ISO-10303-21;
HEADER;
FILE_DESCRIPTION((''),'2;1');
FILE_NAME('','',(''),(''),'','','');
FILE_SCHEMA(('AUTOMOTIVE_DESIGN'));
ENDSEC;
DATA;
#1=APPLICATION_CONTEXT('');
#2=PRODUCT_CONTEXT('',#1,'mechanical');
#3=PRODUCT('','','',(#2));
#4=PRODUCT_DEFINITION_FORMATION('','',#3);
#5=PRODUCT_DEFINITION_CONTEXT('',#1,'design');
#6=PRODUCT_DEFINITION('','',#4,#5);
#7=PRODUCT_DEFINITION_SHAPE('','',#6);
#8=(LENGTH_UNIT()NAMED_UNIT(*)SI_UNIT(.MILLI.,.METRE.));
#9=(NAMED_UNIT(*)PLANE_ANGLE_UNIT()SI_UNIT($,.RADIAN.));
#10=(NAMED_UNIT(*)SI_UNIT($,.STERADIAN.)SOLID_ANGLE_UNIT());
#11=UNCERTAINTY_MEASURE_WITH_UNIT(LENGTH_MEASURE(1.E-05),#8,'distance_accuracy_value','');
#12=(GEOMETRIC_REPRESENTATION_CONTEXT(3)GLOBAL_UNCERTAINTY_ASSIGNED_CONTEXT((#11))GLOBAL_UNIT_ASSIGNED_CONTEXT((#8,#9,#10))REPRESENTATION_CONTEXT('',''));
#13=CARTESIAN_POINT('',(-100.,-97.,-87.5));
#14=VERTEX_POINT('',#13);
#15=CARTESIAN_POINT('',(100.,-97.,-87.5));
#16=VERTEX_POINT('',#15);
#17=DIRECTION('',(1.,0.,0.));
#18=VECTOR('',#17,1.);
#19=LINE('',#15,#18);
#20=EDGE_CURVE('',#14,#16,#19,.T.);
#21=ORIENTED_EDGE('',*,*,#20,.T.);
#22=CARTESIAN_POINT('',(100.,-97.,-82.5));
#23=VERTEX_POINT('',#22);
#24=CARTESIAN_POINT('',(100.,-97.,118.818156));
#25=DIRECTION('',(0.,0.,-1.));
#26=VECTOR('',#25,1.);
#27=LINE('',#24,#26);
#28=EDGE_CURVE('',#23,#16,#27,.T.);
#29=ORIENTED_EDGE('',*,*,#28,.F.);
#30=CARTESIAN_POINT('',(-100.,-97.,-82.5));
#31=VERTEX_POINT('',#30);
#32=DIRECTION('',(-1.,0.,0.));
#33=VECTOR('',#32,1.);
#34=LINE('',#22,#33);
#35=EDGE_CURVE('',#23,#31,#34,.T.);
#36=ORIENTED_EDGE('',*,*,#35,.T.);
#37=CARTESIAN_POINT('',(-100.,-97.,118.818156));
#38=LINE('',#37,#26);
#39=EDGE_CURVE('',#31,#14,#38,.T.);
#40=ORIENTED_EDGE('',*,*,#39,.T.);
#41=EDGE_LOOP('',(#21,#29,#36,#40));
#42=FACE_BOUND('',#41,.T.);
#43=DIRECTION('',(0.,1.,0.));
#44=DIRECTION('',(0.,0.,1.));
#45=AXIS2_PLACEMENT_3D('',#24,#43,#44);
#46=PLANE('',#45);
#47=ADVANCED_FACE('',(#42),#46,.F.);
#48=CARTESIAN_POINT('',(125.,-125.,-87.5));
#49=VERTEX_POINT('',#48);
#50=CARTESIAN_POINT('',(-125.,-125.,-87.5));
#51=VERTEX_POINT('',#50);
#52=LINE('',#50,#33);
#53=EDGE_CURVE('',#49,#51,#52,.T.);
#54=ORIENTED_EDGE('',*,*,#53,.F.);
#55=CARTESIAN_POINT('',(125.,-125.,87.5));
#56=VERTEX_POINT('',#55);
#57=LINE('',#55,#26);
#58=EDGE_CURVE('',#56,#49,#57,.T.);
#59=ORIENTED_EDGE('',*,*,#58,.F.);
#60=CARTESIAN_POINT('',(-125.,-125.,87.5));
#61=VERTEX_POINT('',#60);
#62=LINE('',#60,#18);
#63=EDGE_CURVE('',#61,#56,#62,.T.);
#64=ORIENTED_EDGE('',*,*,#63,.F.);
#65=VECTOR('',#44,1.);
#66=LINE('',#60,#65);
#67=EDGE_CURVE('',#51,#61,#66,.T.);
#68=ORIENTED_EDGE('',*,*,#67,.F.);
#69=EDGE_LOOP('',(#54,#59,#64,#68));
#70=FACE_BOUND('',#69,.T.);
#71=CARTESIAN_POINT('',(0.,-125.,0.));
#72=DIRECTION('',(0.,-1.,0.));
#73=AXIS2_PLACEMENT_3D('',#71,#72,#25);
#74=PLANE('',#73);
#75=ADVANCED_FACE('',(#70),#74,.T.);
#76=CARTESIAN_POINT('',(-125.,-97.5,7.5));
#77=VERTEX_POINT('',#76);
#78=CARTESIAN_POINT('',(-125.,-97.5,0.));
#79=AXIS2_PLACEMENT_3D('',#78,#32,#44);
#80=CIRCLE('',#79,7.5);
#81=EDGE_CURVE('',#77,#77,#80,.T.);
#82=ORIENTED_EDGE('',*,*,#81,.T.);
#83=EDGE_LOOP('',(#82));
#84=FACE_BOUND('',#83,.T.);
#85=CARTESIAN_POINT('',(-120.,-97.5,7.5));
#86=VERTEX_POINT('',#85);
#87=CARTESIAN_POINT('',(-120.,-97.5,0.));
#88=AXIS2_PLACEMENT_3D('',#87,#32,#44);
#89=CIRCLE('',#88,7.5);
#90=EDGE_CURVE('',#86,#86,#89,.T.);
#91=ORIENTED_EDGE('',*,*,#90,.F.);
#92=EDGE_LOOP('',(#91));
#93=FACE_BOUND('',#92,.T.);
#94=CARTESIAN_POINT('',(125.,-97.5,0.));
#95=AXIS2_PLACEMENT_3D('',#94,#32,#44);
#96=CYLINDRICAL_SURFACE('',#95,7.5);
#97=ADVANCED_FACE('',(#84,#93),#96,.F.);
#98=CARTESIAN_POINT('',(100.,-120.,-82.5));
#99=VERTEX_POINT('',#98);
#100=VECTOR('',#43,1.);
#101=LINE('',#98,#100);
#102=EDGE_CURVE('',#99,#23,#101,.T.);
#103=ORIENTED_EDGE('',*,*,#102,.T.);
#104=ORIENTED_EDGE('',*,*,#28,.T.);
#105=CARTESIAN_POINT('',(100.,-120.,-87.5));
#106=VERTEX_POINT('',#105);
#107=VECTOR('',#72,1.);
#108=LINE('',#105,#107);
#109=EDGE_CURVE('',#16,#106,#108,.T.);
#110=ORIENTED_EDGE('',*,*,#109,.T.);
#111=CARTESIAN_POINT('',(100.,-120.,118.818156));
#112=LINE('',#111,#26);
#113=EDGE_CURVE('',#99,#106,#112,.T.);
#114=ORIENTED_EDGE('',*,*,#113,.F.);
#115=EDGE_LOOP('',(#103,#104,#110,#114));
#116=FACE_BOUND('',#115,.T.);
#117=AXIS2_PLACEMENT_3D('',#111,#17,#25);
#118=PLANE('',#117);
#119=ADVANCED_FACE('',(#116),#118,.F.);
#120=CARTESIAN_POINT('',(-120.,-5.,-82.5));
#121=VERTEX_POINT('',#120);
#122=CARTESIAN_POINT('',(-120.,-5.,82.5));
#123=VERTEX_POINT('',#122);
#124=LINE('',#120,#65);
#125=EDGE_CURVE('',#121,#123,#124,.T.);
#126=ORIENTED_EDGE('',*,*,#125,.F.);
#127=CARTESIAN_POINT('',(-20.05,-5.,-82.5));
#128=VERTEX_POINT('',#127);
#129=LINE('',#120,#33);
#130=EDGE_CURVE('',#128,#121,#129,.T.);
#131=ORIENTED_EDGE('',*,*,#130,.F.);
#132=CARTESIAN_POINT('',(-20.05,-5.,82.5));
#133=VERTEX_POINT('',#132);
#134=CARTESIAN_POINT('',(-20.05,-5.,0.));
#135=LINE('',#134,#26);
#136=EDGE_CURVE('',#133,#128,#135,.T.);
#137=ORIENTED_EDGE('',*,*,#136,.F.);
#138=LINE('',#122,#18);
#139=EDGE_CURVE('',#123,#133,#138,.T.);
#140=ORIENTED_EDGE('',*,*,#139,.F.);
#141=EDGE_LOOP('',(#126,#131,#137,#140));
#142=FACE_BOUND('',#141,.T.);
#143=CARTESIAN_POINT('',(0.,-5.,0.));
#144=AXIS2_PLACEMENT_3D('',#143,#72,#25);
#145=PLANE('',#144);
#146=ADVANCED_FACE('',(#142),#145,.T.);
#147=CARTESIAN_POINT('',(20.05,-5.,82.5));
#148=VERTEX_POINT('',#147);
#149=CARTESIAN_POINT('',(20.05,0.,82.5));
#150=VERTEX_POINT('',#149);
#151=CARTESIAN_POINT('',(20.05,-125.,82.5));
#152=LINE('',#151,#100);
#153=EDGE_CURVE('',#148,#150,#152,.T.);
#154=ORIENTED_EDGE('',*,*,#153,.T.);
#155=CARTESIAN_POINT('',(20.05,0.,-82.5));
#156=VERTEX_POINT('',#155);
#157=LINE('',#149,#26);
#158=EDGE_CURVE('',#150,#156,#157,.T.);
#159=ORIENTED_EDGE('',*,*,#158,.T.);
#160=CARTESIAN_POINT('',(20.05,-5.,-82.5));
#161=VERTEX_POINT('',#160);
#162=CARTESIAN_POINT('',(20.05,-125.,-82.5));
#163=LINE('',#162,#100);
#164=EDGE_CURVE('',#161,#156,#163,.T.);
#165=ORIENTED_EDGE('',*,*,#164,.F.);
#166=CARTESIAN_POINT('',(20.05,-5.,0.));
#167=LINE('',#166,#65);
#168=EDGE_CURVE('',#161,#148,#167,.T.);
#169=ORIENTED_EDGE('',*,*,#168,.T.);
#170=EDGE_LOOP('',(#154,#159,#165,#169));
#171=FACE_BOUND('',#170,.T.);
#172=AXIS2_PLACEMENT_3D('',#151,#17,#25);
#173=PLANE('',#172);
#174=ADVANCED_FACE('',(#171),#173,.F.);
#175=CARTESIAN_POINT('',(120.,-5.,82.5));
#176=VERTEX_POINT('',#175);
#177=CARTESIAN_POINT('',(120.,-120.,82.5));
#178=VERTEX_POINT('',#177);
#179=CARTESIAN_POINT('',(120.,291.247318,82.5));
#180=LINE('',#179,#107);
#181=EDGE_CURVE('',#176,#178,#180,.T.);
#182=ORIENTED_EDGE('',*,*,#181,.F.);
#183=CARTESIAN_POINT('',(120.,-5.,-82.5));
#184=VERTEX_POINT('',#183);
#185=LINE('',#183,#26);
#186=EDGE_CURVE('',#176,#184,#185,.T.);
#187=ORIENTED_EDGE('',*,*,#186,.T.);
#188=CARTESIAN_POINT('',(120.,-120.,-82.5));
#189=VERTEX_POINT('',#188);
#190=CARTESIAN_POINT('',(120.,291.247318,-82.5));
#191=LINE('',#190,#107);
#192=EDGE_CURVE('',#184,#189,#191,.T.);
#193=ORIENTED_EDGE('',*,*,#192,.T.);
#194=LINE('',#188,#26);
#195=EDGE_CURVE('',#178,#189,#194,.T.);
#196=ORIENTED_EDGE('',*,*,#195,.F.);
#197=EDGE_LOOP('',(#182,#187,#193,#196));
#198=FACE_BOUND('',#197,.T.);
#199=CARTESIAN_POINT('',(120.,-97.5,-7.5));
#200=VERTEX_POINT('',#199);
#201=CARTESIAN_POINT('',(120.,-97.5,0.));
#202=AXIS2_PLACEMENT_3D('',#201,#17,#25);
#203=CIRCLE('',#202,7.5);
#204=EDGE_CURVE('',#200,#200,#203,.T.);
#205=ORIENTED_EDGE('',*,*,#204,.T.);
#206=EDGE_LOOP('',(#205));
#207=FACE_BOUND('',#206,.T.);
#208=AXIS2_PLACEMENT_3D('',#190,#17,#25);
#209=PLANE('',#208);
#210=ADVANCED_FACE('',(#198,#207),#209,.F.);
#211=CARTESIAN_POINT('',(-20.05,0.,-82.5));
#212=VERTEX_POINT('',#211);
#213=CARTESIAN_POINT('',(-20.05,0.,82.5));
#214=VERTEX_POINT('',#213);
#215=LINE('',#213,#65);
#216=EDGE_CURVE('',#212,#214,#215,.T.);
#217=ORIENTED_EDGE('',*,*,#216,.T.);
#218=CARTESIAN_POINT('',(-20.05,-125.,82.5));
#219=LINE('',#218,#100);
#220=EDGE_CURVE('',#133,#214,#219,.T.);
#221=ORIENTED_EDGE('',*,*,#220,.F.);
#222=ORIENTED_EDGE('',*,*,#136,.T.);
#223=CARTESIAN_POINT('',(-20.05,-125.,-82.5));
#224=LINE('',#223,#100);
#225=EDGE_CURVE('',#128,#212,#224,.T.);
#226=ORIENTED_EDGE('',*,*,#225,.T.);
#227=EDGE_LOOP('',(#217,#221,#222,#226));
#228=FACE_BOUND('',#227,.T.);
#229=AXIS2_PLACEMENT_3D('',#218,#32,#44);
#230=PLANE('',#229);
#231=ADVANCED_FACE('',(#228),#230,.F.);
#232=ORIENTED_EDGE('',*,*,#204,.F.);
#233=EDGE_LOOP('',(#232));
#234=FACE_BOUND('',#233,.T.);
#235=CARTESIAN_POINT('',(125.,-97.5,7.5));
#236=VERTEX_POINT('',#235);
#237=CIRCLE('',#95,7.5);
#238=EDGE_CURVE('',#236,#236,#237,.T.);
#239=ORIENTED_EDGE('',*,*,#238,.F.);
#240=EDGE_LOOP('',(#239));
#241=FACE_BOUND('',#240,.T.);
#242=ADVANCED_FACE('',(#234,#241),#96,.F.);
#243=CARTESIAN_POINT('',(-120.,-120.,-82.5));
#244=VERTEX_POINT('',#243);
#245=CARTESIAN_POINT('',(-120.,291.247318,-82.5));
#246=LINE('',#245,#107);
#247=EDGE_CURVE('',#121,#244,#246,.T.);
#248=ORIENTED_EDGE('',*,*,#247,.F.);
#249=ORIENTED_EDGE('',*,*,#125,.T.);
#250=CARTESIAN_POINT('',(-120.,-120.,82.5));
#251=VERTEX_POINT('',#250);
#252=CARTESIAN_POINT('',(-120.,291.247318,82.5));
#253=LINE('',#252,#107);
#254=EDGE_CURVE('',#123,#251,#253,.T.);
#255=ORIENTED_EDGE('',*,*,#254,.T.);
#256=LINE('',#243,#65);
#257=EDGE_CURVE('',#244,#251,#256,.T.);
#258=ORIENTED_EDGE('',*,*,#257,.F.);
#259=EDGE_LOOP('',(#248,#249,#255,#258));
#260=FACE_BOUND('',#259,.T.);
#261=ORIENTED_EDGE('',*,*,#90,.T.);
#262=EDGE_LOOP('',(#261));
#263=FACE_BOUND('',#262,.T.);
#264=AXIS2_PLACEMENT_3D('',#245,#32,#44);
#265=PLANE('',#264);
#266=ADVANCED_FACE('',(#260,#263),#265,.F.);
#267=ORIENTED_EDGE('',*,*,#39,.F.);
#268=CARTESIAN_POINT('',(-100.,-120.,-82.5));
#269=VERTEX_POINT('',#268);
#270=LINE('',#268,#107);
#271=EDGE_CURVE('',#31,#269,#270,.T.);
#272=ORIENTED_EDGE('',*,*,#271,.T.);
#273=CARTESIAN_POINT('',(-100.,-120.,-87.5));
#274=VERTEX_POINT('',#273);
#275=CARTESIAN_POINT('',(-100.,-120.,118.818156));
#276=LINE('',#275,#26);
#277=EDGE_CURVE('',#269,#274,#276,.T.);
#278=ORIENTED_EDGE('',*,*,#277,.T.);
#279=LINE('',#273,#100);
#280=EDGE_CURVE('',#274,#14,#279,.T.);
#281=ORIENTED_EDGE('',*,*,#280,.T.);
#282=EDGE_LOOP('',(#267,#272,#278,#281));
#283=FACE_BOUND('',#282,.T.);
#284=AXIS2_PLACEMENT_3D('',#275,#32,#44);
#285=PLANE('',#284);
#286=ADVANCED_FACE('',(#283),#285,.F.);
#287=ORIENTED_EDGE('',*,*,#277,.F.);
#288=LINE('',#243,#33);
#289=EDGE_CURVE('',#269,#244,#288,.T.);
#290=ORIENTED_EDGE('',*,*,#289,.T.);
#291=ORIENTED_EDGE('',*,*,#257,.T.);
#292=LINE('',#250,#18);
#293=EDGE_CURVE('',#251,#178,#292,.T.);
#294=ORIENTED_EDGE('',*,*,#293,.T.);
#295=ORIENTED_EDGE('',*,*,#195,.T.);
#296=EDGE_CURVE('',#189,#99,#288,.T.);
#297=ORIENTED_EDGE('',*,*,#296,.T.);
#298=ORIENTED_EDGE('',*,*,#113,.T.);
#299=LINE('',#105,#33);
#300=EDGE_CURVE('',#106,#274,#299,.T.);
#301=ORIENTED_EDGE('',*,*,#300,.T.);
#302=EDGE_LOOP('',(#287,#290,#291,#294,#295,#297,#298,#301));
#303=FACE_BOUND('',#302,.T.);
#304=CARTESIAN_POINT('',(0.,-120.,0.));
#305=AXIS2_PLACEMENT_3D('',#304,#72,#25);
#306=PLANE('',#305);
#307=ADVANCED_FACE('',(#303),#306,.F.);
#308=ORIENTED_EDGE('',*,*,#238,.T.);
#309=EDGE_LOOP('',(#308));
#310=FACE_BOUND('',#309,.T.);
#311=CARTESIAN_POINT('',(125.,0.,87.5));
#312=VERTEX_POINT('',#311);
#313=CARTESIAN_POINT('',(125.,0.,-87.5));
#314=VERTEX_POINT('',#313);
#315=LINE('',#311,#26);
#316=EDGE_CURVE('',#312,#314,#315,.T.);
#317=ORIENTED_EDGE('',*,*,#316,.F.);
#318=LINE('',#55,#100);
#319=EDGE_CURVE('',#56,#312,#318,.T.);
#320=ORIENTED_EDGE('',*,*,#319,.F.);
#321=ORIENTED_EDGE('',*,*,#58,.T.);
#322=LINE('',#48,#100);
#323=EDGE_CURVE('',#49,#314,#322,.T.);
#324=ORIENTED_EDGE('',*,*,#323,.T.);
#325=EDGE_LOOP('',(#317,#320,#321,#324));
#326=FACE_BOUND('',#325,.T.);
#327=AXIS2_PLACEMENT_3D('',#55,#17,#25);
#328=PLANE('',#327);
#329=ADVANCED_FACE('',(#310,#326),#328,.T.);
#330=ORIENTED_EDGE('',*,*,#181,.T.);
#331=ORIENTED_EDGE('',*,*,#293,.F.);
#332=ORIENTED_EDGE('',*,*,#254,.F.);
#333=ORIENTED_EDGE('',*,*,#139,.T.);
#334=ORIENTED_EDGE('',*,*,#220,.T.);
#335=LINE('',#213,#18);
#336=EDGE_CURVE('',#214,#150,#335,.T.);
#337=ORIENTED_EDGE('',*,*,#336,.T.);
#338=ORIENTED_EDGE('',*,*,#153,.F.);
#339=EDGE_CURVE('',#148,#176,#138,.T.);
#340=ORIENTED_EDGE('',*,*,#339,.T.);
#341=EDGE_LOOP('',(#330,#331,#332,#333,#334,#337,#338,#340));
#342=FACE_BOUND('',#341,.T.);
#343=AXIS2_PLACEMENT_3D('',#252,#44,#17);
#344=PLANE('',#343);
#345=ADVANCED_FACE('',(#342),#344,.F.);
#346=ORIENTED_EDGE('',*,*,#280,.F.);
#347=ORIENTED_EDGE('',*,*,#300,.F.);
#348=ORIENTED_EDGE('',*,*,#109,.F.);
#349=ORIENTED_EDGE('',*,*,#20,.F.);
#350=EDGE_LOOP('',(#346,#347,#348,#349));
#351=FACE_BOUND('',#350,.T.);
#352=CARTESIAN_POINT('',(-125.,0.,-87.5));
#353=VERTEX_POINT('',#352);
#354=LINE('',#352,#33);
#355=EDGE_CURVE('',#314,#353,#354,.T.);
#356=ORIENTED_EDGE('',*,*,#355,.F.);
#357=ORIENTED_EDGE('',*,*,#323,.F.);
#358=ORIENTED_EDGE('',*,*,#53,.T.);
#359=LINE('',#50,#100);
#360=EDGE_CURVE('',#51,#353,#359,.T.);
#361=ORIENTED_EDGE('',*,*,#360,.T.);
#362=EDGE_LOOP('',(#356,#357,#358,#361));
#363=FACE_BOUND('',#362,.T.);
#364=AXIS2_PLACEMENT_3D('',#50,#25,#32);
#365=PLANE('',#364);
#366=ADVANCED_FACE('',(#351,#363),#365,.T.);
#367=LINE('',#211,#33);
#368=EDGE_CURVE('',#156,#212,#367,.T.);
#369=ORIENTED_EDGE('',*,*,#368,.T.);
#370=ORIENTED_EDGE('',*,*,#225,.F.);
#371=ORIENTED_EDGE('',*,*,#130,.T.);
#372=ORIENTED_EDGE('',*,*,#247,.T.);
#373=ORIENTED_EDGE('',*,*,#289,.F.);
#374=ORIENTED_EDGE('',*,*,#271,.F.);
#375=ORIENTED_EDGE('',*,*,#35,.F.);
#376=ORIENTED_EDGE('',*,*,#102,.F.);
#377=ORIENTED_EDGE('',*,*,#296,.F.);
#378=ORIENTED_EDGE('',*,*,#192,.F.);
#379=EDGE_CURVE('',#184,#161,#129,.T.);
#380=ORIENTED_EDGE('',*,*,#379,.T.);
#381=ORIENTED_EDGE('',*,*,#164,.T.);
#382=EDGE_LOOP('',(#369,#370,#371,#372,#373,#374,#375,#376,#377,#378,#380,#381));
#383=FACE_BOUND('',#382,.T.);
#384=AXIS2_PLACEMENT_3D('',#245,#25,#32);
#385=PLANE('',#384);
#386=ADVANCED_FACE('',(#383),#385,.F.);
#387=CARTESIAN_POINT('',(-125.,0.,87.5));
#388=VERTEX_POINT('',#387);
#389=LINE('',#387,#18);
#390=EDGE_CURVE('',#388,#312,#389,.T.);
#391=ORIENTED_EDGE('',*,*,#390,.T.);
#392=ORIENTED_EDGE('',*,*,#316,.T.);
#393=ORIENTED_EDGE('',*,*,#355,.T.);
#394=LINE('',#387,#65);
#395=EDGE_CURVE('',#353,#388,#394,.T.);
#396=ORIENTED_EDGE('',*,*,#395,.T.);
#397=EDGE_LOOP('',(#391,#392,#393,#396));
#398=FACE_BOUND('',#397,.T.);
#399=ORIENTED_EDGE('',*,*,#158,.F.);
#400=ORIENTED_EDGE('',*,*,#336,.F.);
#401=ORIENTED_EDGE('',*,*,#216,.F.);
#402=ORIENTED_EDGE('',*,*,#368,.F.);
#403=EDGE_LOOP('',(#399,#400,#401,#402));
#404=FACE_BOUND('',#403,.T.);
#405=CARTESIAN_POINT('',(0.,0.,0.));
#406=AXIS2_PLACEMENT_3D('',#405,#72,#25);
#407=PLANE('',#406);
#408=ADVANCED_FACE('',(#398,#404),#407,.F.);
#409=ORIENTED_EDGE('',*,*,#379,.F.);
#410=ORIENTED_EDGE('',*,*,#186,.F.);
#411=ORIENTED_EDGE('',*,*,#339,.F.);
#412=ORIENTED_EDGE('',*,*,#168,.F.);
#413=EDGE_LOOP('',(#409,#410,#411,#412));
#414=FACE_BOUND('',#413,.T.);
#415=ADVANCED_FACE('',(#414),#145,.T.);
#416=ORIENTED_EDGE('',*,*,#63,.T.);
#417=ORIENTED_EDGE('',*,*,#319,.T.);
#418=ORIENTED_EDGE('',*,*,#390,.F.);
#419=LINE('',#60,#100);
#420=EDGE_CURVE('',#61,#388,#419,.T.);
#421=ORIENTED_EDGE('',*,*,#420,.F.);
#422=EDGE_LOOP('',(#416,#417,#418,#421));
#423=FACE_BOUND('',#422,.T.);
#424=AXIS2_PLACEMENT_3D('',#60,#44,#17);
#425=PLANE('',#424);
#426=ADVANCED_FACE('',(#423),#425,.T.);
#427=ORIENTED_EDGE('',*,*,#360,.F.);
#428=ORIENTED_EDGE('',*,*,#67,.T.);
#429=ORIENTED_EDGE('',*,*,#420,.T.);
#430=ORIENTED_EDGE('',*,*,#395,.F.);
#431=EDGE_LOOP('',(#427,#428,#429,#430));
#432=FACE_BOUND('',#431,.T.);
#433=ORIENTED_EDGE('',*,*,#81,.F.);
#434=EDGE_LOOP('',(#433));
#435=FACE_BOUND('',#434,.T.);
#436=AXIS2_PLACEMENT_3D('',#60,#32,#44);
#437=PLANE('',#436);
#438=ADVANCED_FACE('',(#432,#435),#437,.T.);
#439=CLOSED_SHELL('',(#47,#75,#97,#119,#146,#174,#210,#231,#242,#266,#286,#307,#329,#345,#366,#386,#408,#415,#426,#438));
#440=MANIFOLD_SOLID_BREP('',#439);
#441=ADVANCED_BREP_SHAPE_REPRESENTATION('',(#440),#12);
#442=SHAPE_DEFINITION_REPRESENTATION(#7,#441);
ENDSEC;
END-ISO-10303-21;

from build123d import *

# Parameters (mm, degrees)
SKETCH1_W           = 250
SKETCH1_H           = 175
BOSS_EXTRUDE1_DEPTH = 125
SKETCH2_W           = 240
SKETCH2_H           = 165
CUT_EXTRUDE1_DEPTH  = 120
SKETCH3_W           = 40.1
SKETCH3_H           = 165
CUT_EXTRUDE2_DEPTH  = 126
SKETCH4_R           = 7.5
CUT_EXTRUDE3_DEPTH  = 251
SKETCH6_W           = 250
SKETCH6_H           = 175
BOSS_EXTRUDE2_DEPTH = 5
SKETCH7_W           = 200
SKETCH7_H           = 23
CUT_EXTRUDE4_DEPTH  = 5


with BuildPart() as part:
    # Sketch1 → Boss-Extrude1 (new body)
    with BuildSketch(Plane(origin=(0, 0, 0), x_dir=(1, 0, 0), z_dir=(0, 1, 0))):
        Rectangle(SKETCH1_W, SKETCH1_H)
    extrude(amount=-BOSS_EXTRUDE1_DEPTH)

    # Sketch2 → Cut-Extrude1 (cut)
    with BuildSketch(Plane.XZ.offset(125)):
        Rectangle(SKETCH2_W, SKETCH2_H)
    extrude(amount=-CUT_EXTRUDE1_DEPTH, mode=Mode.SUBTRACT)

    # Sketch3 → Cut-Extrude2 (cut, through all)
    with BuildSketch(Plane(origin=(0, 0, 0), x_dir=(1, 0, 0), z_dir=(0, 1, 0))):
        Rectangle(SKETCH3_W, SKETCH3_H)
    extrude(amount=-CUT_EXTRUDE2_DEPTH, mode=Mode.SUBTRACT)

    # Sketch4 → Cut-Extrude3 (cut, through all)
    with BuildSketch(Plane.ZY.offset(125)):
        with Locations((0, -97.5)):
            Circle(SKETCH4_R)
    extrude(amount=-CUT_EXTRUDE3_DEPTH, mode=Mode.SUBTRACT)

    # Sketch6 → Boss-Extrude2 (add)
    with BuildSketch(Plane.XZ.offset(125)):
        Rectangle(SKETCH6_W, SKETCH6_H)
    extrude(amount=-BOSS_EXTRUDE2_DEPTH)

    # Sketch7 → Cut-Extrude4 (cut)
    with BuildSketch(Plane(origin=(0, 0, -87.5), x_dir=(-1, 0, 0), z_dir=(0, 0, -1))):
        with Locations((0, -108.5)):
            Rectangle(SKETCH7_W, SKETCH7_H)
    extrude(amount=-CUT_EXTRUDE4_DEPTH, mode=Mode.SUBTRACT)


solid = part.part
